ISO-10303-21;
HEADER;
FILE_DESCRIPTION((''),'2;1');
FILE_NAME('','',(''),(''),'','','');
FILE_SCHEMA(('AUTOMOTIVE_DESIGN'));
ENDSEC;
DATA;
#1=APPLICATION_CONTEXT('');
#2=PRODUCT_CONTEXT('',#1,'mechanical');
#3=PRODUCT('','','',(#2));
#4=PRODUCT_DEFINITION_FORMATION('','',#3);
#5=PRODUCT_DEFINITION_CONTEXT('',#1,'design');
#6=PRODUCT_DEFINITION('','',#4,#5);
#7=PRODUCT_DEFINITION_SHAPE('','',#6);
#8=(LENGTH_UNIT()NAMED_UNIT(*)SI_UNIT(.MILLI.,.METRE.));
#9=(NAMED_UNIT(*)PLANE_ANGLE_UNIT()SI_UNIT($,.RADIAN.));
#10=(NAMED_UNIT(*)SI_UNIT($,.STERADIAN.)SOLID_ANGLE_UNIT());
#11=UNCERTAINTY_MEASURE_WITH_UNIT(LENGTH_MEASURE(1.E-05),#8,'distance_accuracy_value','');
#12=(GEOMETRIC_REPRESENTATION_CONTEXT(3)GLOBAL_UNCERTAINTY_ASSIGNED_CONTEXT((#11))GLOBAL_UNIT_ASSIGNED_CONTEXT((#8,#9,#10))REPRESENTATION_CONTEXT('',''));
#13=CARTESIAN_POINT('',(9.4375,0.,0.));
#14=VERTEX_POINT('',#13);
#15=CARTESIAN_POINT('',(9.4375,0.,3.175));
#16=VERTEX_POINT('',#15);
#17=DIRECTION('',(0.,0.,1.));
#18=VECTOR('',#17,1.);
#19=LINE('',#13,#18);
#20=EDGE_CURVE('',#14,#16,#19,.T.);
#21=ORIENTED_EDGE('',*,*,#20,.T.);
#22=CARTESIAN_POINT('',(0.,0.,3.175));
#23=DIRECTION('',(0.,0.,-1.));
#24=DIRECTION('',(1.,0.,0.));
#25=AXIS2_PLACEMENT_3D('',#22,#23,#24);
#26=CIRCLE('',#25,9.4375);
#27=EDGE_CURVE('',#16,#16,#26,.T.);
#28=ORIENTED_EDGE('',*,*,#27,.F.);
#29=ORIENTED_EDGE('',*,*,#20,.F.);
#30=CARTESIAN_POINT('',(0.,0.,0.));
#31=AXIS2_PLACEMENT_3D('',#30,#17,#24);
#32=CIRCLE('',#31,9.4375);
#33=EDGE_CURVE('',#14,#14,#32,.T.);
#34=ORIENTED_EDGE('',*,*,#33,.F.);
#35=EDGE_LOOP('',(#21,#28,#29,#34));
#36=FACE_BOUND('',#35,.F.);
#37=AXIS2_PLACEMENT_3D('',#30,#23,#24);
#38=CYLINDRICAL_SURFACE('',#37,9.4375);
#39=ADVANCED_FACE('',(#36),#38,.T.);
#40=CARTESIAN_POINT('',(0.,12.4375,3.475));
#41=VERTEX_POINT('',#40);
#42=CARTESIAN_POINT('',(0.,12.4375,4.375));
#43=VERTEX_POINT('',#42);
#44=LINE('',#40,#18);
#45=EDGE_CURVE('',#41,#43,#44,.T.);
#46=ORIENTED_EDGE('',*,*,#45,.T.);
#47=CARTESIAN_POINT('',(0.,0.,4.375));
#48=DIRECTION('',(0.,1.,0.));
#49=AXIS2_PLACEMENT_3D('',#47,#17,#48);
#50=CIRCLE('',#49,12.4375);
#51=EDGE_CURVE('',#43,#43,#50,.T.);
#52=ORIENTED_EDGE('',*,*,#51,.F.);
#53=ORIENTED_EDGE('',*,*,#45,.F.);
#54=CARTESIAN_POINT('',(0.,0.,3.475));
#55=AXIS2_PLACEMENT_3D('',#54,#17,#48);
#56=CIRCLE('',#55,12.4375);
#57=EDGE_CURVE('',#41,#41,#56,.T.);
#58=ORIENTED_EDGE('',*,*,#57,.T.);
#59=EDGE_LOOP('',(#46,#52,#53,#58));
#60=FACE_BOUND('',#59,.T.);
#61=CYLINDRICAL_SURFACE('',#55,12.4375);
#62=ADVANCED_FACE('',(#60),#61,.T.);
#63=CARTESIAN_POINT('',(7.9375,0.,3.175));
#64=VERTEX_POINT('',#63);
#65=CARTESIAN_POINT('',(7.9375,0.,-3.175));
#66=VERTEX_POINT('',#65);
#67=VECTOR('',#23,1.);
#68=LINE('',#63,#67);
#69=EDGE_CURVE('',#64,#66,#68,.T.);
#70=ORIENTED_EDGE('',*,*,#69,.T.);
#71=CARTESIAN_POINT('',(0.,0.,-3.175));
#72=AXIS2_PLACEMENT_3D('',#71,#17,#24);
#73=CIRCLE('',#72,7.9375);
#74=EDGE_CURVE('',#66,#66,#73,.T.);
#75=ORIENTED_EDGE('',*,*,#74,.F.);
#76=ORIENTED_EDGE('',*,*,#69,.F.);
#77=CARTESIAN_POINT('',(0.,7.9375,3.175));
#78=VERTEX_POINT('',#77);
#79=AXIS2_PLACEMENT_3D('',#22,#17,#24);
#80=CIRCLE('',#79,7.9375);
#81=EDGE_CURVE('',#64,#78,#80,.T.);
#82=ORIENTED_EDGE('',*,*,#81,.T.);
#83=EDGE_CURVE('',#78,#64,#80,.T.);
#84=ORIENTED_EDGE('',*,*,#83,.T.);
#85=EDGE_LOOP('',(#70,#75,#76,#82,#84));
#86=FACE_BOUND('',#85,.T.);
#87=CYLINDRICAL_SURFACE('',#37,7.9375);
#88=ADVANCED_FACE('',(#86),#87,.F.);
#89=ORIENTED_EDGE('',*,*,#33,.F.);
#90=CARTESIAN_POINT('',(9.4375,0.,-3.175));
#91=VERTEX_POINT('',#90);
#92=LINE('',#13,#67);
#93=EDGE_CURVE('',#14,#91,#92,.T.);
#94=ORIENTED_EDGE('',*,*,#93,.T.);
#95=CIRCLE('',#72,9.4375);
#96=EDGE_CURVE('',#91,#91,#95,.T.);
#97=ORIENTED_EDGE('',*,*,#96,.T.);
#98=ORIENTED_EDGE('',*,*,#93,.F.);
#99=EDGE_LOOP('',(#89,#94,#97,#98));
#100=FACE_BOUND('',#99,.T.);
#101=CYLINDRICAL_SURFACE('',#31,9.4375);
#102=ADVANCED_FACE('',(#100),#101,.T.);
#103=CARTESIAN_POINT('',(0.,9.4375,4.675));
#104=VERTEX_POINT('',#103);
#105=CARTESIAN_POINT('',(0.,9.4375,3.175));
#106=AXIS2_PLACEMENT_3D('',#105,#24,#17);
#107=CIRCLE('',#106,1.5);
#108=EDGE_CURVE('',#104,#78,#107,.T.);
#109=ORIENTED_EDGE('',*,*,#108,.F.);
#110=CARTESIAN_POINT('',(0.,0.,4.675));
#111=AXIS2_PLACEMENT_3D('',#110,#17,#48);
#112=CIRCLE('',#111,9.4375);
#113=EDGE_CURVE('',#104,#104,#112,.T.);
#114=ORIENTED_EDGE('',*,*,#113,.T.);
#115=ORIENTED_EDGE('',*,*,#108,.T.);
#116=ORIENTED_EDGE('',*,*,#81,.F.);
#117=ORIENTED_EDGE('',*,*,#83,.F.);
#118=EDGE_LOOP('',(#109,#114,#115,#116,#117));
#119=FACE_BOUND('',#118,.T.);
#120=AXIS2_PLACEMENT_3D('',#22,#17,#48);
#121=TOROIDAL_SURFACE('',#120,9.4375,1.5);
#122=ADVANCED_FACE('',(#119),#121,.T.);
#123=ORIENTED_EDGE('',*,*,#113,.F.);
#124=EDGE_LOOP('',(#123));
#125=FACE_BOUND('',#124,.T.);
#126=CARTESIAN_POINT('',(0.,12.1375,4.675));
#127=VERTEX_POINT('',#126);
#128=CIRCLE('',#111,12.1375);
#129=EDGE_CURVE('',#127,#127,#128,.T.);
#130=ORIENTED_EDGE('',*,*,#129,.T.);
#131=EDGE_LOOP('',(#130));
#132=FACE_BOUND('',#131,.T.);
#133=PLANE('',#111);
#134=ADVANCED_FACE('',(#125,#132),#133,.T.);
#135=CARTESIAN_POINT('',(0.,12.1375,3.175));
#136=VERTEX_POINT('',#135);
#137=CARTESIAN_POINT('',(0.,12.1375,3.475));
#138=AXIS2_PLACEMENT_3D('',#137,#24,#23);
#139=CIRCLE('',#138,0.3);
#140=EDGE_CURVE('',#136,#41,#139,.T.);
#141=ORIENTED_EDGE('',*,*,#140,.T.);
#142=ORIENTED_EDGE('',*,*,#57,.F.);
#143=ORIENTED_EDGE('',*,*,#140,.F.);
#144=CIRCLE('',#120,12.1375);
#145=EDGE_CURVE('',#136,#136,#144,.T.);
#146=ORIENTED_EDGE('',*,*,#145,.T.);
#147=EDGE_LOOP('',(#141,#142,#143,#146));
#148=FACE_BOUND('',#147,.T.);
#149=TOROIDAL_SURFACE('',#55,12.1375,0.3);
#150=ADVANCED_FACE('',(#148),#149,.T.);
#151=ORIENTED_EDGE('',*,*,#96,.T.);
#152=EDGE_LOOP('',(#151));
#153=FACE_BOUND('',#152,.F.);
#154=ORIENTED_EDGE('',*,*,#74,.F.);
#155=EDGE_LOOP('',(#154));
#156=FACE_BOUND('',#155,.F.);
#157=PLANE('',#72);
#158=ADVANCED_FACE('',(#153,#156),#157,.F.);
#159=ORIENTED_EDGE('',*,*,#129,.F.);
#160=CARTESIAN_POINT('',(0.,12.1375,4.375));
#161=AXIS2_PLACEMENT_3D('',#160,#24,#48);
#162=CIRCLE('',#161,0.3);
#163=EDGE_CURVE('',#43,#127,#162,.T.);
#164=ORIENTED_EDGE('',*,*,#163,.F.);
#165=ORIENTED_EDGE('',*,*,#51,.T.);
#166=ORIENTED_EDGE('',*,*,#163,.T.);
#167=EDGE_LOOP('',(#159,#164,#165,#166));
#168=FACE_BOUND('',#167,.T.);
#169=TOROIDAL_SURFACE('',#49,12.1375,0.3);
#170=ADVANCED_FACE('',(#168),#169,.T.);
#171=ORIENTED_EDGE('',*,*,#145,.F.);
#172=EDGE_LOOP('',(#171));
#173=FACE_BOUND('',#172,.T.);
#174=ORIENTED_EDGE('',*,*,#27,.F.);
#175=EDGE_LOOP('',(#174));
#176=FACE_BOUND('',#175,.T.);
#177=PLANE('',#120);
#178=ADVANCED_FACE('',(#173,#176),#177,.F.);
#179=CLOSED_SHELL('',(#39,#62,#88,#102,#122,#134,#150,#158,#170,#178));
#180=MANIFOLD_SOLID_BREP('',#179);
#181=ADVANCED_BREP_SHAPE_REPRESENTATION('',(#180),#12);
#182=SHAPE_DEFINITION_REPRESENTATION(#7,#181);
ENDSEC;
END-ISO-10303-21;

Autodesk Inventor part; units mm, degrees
ref_plane "YZ Plane" through (0, 0, 0) normal (1, 0, 0) x (0, 1, 0)
ref_plane "XZ Plane" through (0, 0, 0) normal (0, 1, 0) x (-1, 0, 0)
ref_plane "XY Plane" through (0, 0, 0) normal (0, 0, 1) x (1, 0, 0)
sketch "Boceto1" plane through (0, 0, 0) normal (0, 0, 1) x (1, 0, 0)
  circle A0 centre (0, 0) radius 7.9375
  circle A1 centre (0, 0) radius 9.4375
  dimension "d0" = 15.875
  dimension "d1" = 18.875
extrude "Extrusión1" add sketch "Boceto1" along normal mid plane 6.35
sketch "Boceto2" plane through (0, 0, 0) normal (1, 0, 0) x (0, 1, 0)
  line L0 (9.4375, 3.175) -> (12.1375, 3.175)
  line L1 (12.4375, 3.475) -> (12.4375, 4.375)
  line L2 (12.1375, 4.675) -> (9.4375, 4.675)
  arc A0 (9.4375, 4.675) -> (7.9375, 3.175) centre (9.4375, 3.175) ccw
  arc A1 (12.1375, 3.175) -> (12.4375, 3.475) centre (12.1375, 3.475) ccw
  arc A2 (12.4375, 4.375) -> (12.1375, 4.675) centre (12.1375, 4.375) ccw
  line L3 (9.4375, 3.175) -> (7.9375, 3.175)
  line L4 (0, -0.6796) -> (0, 4.0778) projected
  point P0 (0, 0)
  point P1 (12.4375, 3.175)
  point P2 (12.4375, 4.675)
  dimension "d4" = 3
  dimension "d5" = 1.5
  dimension "d6" = 3
  dimension "d7" = 0.3
revolve "Revolución1" add sketch "Boceto2" angle 360 about axis through (0, 0, -10) along (0, 0, 1)
properties part number "buje_carro_zona_calor"
